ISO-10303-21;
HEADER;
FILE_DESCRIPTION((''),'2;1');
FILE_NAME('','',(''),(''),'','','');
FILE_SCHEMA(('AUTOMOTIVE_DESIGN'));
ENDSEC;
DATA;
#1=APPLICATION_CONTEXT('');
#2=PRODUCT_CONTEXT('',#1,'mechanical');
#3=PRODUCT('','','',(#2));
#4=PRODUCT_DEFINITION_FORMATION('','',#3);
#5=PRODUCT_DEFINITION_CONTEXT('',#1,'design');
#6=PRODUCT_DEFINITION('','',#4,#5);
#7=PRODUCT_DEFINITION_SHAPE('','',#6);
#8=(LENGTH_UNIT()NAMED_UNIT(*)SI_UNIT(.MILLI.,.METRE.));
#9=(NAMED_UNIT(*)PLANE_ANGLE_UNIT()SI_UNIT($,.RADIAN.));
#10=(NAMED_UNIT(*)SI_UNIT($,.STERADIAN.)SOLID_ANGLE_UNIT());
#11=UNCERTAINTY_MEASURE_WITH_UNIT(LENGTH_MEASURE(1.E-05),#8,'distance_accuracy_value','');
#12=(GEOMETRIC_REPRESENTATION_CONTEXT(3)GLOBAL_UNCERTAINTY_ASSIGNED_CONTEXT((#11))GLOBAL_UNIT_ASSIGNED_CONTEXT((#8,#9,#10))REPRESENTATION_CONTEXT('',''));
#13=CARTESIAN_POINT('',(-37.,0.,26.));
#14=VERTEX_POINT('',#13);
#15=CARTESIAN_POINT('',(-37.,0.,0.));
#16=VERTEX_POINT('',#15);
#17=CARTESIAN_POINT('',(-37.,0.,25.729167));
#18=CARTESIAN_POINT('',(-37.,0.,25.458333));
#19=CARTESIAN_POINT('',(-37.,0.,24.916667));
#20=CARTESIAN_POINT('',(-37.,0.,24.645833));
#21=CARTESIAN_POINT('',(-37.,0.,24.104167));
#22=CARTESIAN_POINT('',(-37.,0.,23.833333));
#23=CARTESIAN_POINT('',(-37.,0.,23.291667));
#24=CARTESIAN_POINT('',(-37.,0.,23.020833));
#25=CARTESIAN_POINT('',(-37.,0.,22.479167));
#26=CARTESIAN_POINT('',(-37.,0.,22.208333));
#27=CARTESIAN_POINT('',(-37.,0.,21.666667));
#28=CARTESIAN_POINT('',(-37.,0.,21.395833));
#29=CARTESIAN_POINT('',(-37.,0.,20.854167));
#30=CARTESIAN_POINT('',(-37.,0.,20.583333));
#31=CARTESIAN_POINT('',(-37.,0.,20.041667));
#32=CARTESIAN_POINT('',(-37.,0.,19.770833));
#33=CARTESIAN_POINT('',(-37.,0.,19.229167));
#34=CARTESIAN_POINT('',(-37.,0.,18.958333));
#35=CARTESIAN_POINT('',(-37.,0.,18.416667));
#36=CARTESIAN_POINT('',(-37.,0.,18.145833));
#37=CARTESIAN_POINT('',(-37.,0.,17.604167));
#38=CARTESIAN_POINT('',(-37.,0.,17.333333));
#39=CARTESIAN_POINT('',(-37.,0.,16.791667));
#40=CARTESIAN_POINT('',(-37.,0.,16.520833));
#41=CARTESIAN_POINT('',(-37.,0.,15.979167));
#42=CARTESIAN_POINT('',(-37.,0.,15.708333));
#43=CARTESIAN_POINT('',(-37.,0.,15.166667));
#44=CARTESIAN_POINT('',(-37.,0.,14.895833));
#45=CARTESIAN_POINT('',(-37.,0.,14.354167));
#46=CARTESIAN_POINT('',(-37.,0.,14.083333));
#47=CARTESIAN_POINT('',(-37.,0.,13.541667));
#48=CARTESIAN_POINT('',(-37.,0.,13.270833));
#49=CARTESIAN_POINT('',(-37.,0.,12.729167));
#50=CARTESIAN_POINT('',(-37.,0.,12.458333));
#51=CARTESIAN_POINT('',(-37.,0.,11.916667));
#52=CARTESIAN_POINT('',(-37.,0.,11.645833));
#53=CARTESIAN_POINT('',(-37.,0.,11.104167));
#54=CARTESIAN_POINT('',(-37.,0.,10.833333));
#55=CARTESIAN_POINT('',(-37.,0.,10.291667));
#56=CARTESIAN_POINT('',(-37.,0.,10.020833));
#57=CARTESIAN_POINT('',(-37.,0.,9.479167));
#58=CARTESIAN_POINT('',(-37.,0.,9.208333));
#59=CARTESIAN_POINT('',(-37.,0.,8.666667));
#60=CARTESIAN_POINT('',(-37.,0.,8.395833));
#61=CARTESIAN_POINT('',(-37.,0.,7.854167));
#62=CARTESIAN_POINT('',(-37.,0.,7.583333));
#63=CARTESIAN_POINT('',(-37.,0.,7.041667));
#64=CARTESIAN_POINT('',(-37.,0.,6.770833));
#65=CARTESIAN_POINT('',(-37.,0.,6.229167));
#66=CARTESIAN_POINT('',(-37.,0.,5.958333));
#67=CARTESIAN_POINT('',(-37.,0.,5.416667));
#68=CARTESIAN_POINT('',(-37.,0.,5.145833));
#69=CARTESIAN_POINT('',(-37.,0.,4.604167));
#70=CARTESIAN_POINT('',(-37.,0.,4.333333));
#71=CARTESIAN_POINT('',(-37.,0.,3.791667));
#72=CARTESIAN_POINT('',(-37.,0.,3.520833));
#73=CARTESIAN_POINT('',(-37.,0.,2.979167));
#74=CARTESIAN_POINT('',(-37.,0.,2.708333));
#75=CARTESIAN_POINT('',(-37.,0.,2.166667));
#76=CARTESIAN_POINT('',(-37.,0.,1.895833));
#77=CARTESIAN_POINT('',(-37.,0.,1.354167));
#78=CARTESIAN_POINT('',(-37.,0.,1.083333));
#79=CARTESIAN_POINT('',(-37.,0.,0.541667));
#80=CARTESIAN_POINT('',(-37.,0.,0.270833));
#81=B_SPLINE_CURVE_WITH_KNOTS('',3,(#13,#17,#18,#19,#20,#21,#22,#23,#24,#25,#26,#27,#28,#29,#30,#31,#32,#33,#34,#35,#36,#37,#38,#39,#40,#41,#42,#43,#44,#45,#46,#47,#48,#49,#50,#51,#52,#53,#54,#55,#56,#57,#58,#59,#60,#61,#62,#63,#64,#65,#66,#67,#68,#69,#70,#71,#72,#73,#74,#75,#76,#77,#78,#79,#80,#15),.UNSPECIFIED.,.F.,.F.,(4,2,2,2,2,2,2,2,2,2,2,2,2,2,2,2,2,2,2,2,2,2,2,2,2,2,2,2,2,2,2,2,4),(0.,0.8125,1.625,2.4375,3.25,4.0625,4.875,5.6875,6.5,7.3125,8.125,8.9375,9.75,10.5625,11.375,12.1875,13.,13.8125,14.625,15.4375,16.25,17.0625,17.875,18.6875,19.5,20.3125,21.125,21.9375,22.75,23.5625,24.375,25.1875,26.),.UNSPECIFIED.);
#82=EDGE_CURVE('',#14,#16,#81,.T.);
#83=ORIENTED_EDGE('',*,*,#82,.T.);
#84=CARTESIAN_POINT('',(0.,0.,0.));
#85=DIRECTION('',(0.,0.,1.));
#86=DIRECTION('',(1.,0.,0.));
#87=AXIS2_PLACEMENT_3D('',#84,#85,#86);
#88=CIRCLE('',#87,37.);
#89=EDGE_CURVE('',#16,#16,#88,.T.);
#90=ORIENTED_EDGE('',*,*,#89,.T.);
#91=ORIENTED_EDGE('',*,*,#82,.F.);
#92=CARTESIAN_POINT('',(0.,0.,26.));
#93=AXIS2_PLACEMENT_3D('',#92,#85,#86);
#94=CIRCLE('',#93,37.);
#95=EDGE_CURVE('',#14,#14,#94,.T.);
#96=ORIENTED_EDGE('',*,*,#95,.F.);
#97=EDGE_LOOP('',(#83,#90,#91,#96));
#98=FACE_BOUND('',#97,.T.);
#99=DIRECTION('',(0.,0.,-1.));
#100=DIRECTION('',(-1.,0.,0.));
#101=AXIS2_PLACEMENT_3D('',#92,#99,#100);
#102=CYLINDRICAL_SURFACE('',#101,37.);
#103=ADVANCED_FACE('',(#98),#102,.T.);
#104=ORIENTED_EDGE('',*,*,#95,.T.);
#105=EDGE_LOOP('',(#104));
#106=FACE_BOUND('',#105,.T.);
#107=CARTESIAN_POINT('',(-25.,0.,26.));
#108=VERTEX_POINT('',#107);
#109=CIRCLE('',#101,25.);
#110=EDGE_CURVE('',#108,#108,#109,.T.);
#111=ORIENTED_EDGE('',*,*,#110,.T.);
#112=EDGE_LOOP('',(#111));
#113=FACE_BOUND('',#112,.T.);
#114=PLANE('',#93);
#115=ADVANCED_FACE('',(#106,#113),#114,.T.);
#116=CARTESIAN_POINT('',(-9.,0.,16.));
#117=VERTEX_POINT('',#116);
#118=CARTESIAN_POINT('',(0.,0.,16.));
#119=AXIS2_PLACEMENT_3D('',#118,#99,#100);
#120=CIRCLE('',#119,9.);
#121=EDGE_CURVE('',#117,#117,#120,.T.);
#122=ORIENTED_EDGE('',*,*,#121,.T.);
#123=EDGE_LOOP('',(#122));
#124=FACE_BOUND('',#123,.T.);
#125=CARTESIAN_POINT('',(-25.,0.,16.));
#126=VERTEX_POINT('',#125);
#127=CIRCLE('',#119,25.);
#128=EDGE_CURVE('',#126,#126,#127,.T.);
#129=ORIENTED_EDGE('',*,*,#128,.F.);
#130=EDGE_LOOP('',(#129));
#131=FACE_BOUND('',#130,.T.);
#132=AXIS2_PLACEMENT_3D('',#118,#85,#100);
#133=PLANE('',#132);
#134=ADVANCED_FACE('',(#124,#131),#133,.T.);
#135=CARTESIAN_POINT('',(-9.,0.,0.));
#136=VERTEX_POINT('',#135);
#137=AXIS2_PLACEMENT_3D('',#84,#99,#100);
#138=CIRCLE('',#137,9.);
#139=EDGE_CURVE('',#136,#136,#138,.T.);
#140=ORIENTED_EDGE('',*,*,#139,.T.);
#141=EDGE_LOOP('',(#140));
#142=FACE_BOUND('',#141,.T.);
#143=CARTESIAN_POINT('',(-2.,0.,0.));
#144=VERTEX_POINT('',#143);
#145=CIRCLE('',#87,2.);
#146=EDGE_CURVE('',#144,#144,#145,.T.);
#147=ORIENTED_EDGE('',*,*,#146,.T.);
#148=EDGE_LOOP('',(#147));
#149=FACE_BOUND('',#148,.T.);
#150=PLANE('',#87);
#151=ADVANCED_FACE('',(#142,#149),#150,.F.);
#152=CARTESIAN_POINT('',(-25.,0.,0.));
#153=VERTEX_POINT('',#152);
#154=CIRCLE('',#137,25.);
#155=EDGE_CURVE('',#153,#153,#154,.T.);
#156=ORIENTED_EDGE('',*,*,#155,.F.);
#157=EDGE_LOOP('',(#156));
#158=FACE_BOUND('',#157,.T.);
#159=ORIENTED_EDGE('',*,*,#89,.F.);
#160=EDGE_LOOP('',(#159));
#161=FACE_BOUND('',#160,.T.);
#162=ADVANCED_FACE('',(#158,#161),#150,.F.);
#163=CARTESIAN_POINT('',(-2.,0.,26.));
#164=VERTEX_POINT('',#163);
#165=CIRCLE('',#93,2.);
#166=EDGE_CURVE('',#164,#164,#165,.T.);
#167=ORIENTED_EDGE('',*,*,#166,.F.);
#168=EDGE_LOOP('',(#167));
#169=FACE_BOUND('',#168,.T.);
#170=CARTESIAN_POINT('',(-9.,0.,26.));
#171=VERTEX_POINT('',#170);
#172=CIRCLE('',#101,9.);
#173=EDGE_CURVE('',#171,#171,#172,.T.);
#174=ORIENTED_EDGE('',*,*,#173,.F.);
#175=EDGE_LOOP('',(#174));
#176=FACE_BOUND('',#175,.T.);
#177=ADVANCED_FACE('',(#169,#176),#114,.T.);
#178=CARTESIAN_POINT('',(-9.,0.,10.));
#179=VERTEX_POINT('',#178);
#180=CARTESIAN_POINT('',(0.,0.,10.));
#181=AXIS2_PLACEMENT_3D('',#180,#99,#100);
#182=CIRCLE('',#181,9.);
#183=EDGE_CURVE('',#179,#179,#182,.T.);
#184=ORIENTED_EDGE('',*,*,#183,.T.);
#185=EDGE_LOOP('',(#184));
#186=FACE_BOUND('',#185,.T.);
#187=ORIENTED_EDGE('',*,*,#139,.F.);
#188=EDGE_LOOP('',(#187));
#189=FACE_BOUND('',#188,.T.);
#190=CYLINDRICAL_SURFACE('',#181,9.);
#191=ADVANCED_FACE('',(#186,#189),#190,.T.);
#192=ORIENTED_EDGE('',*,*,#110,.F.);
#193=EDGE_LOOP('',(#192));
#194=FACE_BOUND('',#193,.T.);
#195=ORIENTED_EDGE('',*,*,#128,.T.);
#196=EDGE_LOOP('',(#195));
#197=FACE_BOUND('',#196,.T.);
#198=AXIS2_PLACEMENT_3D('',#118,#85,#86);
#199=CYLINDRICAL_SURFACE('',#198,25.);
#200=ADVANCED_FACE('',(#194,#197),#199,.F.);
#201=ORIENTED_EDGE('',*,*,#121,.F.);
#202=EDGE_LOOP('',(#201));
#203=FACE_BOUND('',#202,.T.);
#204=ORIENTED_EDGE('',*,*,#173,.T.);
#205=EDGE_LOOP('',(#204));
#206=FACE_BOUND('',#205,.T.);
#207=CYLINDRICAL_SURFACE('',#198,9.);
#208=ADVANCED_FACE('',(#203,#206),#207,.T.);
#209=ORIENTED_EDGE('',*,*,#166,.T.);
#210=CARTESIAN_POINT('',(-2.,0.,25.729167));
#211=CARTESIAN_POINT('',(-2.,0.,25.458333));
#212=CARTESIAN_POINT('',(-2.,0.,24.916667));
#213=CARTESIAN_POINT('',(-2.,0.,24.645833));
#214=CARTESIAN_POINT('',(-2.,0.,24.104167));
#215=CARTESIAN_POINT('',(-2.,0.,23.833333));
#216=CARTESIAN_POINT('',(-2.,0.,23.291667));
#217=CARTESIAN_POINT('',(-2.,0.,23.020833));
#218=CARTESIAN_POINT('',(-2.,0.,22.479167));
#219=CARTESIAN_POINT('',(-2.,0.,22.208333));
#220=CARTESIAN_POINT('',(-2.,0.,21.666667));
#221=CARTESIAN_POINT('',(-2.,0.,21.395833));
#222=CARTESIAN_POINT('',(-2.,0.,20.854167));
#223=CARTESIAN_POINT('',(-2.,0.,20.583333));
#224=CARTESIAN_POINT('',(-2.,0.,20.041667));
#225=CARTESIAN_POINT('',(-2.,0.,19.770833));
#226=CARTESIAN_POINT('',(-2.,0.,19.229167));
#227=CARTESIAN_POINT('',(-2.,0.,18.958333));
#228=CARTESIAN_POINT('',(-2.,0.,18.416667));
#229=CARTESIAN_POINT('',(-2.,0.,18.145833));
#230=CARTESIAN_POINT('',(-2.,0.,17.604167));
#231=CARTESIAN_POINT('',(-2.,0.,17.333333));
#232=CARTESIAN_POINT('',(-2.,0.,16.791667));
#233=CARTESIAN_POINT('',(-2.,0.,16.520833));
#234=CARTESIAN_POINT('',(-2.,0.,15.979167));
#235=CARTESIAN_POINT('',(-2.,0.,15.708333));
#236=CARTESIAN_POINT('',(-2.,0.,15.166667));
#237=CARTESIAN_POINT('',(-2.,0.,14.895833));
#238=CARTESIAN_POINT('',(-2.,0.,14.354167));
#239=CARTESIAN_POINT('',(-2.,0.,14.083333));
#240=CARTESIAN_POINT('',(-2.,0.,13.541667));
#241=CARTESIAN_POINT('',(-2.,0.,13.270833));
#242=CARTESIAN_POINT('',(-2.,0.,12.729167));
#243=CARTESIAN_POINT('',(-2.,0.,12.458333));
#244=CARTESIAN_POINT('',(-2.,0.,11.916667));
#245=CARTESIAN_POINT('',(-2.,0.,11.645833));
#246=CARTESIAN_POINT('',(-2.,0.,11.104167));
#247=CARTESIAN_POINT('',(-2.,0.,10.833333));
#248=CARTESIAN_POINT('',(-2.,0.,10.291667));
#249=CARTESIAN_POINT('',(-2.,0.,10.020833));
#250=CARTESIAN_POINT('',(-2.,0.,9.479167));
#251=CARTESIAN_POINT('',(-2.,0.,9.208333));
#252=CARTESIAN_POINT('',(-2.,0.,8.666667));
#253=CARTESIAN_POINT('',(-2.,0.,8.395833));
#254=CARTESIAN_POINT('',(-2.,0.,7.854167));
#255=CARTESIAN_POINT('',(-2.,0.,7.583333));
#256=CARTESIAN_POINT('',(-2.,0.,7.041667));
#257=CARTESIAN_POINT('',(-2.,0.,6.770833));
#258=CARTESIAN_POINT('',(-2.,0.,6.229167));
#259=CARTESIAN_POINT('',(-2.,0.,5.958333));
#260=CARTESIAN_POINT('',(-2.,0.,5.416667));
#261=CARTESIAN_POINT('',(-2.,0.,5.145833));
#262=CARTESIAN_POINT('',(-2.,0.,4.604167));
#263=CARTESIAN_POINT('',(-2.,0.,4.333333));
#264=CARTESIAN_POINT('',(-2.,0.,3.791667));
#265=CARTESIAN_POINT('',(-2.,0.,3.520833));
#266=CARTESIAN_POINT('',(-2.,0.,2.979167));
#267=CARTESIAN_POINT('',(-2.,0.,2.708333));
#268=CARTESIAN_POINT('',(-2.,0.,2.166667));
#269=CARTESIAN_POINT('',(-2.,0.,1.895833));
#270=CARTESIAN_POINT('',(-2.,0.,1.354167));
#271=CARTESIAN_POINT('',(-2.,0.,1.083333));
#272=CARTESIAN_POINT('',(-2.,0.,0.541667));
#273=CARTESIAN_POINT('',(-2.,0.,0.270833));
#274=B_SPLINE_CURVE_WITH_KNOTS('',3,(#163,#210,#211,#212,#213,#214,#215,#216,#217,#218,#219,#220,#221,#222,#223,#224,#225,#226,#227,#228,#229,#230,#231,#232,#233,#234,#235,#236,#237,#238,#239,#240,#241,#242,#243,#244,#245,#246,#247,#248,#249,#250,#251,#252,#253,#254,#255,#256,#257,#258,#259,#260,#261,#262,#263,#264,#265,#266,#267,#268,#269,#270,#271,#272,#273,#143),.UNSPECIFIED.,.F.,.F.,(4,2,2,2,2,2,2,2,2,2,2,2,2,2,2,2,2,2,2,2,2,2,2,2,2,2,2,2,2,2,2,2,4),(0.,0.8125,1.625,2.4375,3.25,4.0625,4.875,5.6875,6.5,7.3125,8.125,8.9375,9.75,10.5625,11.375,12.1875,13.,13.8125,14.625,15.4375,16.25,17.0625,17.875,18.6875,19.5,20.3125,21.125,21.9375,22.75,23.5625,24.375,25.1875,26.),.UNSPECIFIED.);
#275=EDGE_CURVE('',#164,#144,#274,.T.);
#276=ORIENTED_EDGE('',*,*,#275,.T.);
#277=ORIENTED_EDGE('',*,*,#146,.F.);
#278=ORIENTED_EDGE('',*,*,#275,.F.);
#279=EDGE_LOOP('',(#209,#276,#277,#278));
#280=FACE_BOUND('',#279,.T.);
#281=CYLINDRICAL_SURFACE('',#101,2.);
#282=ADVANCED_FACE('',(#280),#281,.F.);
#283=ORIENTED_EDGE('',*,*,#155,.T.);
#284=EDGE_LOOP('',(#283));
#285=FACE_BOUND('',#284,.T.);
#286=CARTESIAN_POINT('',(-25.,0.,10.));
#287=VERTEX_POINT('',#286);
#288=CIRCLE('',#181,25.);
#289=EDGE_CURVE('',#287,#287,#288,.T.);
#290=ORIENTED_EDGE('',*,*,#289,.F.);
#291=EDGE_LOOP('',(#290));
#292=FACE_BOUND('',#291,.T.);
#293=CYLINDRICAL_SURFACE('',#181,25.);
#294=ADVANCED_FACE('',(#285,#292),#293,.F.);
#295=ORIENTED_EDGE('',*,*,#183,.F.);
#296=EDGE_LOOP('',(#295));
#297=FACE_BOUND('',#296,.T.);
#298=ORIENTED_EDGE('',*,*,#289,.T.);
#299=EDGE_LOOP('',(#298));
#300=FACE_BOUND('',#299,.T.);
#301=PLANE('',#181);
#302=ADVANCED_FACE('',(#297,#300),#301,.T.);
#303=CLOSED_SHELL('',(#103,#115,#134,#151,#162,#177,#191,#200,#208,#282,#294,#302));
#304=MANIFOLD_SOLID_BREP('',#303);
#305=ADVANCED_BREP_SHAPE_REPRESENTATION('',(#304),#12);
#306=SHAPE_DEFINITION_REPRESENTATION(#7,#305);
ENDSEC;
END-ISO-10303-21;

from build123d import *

# Parameters (mm, degrees)
SKETCH1_R           = 37
SKETCH1_R_2         = 2
BOSS_EXTRUDE1_DEPTH = 26
SKETCH2_R           = 25
SKETCH2_R_2         = 9
CUT_EXTRUDE1_DEPTH  = 10


with BuildPart() as part:
    # Sketch1 → Boss-Extrude1 (new body)
    with BuildSketch(Plane.XY):
        with Locations(Location((0, 0, 0), (0, 0, 180))):
            Circle(SKETCH1_R)
        with Locations(Location((0, 0, 0), (0, 0, 180))):
            Circle(SKETCH1_R_2, mode=Mode.SUBTRACT)
    extrude(amount=BOSS_EXTRUDE1_DEPTH)

    # Sketch2 → Cut-Extrude1 (cut)
    with BuildSketch(Plane(origin=(0, 0, 0), x_dir=(-1, 0, 0), z_dir=(0, 0, -1))):
        Circle(SKETCH2_R)
        Circle(SKETCH2_R_2, mode=Mode.SUBTRACT)
    cut_extrude1 = extrude(amount=-CUT_EXTRUDE1_DEPTH, mode=Mode.SUBTRACT)

    # Mirror1: Cut-Extrude1 across plane
    add(cut_extrude1.mirror(Plane(origin=(0, 0, 13), x_dir=(1, 0, 0), z_dir=(0, 0, -1))), mode=Mode.SUBTRACT)


solid = part.part
